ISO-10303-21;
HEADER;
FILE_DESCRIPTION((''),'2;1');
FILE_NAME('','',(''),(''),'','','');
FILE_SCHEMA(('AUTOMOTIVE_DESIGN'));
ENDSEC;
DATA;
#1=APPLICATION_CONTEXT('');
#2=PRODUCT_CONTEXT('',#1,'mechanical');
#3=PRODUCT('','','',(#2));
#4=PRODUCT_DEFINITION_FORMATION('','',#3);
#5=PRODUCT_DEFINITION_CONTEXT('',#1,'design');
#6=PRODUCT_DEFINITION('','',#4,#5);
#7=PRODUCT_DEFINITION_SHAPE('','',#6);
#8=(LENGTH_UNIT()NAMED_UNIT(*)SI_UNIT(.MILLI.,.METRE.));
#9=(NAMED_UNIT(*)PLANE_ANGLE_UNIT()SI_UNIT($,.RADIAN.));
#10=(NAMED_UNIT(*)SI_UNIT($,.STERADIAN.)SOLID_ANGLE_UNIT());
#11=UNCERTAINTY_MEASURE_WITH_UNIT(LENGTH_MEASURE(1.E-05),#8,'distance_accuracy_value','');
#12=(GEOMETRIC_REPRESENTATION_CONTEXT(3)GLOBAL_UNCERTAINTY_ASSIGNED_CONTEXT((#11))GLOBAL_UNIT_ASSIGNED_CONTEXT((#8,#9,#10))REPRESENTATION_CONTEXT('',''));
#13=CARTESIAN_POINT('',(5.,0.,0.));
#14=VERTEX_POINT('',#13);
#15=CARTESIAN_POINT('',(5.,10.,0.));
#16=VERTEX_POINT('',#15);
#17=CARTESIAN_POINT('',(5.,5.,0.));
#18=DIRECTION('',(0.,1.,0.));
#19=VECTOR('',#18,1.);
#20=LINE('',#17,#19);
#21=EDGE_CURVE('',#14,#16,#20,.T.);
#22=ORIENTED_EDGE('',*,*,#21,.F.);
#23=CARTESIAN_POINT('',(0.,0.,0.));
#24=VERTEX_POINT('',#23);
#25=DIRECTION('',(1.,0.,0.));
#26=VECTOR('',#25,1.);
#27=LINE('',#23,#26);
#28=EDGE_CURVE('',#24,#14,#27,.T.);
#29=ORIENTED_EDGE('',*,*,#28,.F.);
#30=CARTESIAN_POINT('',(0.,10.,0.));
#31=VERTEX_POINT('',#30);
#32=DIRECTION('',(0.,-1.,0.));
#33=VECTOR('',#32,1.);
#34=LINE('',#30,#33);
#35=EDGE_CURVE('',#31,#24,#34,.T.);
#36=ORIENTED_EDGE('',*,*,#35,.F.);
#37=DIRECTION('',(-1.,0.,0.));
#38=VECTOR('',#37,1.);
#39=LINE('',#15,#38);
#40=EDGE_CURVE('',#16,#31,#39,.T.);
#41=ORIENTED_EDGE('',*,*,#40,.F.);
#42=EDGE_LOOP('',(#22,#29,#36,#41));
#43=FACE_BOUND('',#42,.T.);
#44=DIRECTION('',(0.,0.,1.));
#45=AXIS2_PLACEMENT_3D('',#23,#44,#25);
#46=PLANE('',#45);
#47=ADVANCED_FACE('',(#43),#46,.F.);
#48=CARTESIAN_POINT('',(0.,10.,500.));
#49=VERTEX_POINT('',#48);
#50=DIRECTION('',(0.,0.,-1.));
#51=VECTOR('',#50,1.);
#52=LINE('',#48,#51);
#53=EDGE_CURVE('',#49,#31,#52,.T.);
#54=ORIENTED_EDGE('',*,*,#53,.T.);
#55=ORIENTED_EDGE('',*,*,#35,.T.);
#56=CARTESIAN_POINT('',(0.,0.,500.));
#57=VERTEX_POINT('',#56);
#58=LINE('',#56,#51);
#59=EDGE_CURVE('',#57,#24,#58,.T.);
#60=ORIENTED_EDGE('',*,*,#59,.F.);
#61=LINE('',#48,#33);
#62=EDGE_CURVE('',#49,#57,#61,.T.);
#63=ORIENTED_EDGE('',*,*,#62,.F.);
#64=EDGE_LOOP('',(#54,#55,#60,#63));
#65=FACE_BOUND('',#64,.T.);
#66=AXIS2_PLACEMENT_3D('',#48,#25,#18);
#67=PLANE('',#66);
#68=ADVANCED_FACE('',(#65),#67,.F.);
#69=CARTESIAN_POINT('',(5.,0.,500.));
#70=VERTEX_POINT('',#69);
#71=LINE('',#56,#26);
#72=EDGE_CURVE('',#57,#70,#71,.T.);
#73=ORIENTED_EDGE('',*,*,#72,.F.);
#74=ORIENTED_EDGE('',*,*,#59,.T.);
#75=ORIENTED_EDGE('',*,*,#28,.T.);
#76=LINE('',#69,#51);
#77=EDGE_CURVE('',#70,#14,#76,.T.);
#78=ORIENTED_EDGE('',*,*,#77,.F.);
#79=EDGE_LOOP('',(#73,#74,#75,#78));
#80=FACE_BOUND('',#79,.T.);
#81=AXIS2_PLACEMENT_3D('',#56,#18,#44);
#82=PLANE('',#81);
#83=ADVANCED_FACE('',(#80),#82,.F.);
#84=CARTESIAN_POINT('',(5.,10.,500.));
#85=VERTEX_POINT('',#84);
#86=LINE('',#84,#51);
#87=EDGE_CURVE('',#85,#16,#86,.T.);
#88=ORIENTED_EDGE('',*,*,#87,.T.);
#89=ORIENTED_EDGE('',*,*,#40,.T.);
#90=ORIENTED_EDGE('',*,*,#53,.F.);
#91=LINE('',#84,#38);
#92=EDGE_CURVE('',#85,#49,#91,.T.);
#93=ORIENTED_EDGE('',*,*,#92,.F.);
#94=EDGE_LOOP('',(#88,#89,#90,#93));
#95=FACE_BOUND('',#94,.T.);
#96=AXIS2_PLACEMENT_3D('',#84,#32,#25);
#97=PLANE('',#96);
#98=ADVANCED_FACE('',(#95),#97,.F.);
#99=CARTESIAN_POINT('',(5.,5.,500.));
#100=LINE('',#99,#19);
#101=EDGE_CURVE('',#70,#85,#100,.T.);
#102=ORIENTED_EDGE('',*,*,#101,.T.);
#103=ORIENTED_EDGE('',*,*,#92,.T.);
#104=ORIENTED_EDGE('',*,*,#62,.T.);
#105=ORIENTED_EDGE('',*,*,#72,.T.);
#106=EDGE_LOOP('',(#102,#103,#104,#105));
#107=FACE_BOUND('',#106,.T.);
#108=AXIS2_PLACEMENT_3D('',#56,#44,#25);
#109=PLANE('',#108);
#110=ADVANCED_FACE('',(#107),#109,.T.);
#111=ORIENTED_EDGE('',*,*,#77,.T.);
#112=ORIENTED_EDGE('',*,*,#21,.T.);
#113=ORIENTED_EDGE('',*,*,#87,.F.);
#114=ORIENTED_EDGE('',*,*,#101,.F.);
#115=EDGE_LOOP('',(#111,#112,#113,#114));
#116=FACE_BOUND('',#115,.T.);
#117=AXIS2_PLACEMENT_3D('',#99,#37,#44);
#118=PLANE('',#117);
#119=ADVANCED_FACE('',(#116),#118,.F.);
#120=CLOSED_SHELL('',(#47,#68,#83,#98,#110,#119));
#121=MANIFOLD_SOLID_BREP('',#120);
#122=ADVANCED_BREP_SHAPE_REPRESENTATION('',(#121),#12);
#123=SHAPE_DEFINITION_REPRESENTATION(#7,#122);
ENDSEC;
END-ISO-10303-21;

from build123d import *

# Parameters (mm, degrees)
BOSS_EXTRUDE1_DEPTH = 500


with BuildPart() as part:
    # Sketch1 → Boss-Extrude1 (new body)
    with BuildSketch(Plane.XY):
        Polygon((0, 10), (0, 0), (5, 0), (5, 5), (5, 10), align=None)
    extrude(amount=BOSS_EXTRUDE1_DEPTH)


solid = part.part
